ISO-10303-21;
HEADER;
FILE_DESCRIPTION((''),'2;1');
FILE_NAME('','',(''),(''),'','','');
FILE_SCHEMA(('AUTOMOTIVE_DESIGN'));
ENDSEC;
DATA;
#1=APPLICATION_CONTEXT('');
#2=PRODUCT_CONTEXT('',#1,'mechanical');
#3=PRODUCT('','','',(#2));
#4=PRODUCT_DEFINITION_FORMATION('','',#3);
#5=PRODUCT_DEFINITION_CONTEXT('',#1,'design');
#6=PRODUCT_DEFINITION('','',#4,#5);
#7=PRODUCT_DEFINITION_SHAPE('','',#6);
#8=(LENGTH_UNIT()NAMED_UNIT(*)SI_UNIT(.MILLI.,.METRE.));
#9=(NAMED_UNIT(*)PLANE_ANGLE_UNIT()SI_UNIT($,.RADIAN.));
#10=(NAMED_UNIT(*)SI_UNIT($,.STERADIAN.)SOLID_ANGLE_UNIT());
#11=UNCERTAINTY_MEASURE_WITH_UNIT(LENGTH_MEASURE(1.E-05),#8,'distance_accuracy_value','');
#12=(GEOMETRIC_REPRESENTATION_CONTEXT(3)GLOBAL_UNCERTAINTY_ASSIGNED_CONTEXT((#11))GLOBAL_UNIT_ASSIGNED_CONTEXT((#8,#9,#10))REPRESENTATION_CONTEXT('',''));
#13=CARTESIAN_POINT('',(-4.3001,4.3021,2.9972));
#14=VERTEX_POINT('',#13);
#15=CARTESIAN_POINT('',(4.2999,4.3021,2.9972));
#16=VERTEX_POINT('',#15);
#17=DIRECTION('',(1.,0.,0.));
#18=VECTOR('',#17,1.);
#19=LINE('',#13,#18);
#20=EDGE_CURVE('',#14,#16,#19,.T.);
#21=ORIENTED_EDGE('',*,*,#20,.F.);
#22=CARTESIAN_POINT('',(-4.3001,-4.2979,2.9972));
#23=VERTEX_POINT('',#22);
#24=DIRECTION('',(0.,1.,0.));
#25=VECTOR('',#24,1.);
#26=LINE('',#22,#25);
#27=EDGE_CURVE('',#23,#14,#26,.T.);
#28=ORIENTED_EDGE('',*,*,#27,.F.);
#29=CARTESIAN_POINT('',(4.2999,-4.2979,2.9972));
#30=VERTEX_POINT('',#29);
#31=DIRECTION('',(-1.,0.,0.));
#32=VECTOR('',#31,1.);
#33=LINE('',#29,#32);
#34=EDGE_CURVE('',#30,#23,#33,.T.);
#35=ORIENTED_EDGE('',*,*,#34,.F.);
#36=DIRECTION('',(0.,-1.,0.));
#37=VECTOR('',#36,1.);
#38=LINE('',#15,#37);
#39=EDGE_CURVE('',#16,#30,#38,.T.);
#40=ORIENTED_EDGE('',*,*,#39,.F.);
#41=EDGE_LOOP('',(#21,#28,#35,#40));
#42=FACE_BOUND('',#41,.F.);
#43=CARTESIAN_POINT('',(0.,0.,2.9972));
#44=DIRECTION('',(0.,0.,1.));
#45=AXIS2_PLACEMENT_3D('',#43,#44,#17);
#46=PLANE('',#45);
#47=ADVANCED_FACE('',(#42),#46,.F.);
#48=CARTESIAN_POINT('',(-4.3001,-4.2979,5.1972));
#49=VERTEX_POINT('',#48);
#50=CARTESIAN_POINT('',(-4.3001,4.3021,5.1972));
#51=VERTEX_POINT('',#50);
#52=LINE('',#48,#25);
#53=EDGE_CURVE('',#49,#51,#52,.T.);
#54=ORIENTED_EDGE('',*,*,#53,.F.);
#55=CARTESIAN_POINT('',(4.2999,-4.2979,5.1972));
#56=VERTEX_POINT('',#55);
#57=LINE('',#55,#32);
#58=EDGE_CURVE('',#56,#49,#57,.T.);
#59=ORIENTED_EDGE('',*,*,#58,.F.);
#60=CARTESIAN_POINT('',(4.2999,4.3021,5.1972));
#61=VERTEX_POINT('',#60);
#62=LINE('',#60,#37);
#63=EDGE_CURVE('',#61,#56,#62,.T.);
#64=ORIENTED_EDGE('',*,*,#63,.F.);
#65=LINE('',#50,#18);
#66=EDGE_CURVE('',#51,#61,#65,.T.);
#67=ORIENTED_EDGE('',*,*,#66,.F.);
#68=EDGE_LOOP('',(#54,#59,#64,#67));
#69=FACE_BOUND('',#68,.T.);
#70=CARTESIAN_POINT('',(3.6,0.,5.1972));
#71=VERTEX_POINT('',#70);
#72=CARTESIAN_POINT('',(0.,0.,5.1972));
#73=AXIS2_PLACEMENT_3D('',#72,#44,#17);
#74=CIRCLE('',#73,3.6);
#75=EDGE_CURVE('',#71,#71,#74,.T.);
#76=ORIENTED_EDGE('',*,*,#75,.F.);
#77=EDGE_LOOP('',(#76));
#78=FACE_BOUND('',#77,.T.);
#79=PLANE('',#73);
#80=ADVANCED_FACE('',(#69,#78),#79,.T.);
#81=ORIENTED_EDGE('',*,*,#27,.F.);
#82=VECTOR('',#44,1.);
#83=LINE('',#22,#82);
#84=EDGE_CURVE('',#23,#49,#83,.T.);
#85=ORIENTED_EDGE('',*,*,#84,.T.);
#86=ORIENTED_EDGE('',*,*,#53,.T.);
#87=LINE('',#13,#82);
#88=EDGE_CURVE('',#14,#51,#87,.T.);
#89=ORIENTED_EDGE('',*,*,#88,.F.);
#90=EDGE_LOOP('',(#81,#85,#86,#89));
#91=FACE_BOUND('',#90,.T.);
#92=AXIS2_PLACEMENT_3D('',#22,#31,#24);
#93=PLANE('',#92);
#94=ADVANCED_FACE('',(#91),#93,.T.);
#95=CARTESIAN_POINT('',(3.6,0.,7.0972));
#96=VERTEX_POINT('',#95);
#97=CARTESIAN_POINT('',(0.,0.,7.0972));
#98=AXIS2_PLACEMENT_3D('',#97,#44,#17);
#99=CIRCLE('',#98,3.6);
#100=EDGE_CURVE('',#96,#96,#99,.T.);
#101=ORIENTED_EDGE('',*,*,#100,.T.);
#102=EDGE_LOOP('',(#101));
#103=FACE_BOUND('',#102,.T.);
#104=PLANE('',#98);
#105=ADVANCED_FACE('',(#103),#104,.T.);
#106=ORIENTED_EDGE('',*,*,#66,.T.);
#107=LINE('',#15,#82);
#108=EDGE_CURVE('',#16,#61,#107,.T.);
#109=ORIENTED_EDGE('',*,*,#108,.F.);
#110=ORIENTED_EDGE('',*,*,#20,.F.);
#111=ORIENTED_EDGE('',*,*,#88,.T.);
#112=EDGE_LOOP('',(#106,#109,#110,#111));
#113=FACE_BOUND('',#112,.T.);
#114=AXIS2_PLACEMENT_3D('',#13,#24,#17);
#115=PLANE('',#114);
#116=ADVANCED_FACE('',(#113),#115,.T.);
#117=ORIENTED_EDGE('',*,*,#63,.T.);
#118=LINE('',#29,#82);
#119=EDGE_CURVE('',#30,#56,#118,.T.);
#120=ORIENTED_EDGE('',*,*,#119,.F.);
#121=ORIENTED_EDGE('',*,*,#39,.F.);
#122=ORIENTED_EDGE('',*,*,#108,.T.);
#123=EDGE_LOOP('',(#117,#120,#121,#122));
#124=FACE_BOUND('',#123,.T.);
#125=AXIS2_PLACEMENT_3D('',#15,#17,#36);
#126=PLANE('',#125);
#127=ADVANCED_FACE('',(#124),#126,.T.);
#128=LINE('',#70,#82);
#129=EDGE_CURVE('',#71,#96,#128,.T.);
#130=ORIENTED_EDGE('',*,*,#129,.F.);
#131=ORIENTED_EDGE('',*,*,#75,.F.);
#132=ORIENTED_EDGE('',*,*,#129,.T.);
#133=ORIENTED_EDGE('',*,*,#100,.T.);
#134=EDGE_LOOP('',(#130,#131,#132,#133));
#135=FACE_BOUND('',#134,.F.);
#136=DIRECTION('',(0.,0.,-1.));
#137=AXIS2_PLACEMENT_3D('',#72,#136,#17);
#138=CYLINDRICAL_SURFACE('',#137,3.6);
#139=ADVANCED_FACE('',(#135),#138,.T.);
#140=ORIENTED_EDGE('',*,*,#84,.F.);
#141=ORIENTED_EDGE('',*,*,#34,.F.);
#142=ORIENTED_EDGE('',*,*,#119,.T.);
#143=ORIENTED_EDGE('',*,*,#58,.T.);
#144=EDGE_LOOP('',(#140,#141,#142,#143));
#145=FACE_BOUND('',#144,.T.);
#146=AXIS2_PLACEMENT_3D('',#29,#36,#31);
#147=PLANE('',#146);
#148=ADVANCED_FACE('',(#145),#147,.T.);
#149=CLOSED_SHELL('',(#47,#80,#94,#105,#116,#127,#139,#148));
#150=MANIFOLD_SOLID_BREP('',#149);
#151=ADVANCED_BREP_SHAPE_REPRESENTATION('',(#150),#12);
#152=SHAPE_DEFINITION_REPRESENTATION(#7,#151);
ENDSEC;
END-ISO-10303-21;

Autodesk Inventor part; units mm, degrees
ref_plane "YZ Plane" through (0, 0, 0) normal (1, 0, 0) x (0, 1, 0)
ref_plane "XZ Plane" through (0, 0, 0) normal (0, 1, 0) x (-1, 0, 0)
ref_plane "XY Plane" through (0, 0, 0) normal (0, 0, 1) x (1, 0, 0)
ref_plane "Arbeitsebene1" through (0, 0, 2.9972) normal (0, 0, 1) x (1, 0, 0)
sketch "Skizze1" plane through (0, 0, 2.9972) normal (0, 0, 1) x (1, 0, 0)
  circle A0 centre (-0.0001, 0.0021) radius 3 projected
  line L0 (4.2999, -4.2979) -> (-4.3001, -4.2979)
  line L1 (-4.3001, -4.2979) -> (-4.3001, 4.3021)
  line L2 (-4.3001, 4.3021) -> (4.2999, 4.3021)
  line L3 (4.2999, 4.3021) -> (4.2999, -4.2979)
  line L4 (4.2999, -4.2979) -> (-4.3001, 4.3021) construction
  line L5 (-4.3001, -4.2979) -> (4.2999, 4.3021) construction
  point P0 (0, 0)
  dimension "d0" = 8.6
  dimension "d1" = 8.6
extrude "Extrusion1" add sketch "Skizze1" along normal blind 2.2 contours A0 | L0 L1 L2 L3
sketch "Skizze2" plane through (0, 0, 5.1972) normal (0, 0, 1) x (1, 0, 0)
  circle A0 centre (0, 0) radius 3.6
  dimension "d4" = 7.2
extrude "Extrusion2" add sketch "Skizze2" along normal blind 1.9
properties part number "00_ESP32_OmnivisionCameraModule"
